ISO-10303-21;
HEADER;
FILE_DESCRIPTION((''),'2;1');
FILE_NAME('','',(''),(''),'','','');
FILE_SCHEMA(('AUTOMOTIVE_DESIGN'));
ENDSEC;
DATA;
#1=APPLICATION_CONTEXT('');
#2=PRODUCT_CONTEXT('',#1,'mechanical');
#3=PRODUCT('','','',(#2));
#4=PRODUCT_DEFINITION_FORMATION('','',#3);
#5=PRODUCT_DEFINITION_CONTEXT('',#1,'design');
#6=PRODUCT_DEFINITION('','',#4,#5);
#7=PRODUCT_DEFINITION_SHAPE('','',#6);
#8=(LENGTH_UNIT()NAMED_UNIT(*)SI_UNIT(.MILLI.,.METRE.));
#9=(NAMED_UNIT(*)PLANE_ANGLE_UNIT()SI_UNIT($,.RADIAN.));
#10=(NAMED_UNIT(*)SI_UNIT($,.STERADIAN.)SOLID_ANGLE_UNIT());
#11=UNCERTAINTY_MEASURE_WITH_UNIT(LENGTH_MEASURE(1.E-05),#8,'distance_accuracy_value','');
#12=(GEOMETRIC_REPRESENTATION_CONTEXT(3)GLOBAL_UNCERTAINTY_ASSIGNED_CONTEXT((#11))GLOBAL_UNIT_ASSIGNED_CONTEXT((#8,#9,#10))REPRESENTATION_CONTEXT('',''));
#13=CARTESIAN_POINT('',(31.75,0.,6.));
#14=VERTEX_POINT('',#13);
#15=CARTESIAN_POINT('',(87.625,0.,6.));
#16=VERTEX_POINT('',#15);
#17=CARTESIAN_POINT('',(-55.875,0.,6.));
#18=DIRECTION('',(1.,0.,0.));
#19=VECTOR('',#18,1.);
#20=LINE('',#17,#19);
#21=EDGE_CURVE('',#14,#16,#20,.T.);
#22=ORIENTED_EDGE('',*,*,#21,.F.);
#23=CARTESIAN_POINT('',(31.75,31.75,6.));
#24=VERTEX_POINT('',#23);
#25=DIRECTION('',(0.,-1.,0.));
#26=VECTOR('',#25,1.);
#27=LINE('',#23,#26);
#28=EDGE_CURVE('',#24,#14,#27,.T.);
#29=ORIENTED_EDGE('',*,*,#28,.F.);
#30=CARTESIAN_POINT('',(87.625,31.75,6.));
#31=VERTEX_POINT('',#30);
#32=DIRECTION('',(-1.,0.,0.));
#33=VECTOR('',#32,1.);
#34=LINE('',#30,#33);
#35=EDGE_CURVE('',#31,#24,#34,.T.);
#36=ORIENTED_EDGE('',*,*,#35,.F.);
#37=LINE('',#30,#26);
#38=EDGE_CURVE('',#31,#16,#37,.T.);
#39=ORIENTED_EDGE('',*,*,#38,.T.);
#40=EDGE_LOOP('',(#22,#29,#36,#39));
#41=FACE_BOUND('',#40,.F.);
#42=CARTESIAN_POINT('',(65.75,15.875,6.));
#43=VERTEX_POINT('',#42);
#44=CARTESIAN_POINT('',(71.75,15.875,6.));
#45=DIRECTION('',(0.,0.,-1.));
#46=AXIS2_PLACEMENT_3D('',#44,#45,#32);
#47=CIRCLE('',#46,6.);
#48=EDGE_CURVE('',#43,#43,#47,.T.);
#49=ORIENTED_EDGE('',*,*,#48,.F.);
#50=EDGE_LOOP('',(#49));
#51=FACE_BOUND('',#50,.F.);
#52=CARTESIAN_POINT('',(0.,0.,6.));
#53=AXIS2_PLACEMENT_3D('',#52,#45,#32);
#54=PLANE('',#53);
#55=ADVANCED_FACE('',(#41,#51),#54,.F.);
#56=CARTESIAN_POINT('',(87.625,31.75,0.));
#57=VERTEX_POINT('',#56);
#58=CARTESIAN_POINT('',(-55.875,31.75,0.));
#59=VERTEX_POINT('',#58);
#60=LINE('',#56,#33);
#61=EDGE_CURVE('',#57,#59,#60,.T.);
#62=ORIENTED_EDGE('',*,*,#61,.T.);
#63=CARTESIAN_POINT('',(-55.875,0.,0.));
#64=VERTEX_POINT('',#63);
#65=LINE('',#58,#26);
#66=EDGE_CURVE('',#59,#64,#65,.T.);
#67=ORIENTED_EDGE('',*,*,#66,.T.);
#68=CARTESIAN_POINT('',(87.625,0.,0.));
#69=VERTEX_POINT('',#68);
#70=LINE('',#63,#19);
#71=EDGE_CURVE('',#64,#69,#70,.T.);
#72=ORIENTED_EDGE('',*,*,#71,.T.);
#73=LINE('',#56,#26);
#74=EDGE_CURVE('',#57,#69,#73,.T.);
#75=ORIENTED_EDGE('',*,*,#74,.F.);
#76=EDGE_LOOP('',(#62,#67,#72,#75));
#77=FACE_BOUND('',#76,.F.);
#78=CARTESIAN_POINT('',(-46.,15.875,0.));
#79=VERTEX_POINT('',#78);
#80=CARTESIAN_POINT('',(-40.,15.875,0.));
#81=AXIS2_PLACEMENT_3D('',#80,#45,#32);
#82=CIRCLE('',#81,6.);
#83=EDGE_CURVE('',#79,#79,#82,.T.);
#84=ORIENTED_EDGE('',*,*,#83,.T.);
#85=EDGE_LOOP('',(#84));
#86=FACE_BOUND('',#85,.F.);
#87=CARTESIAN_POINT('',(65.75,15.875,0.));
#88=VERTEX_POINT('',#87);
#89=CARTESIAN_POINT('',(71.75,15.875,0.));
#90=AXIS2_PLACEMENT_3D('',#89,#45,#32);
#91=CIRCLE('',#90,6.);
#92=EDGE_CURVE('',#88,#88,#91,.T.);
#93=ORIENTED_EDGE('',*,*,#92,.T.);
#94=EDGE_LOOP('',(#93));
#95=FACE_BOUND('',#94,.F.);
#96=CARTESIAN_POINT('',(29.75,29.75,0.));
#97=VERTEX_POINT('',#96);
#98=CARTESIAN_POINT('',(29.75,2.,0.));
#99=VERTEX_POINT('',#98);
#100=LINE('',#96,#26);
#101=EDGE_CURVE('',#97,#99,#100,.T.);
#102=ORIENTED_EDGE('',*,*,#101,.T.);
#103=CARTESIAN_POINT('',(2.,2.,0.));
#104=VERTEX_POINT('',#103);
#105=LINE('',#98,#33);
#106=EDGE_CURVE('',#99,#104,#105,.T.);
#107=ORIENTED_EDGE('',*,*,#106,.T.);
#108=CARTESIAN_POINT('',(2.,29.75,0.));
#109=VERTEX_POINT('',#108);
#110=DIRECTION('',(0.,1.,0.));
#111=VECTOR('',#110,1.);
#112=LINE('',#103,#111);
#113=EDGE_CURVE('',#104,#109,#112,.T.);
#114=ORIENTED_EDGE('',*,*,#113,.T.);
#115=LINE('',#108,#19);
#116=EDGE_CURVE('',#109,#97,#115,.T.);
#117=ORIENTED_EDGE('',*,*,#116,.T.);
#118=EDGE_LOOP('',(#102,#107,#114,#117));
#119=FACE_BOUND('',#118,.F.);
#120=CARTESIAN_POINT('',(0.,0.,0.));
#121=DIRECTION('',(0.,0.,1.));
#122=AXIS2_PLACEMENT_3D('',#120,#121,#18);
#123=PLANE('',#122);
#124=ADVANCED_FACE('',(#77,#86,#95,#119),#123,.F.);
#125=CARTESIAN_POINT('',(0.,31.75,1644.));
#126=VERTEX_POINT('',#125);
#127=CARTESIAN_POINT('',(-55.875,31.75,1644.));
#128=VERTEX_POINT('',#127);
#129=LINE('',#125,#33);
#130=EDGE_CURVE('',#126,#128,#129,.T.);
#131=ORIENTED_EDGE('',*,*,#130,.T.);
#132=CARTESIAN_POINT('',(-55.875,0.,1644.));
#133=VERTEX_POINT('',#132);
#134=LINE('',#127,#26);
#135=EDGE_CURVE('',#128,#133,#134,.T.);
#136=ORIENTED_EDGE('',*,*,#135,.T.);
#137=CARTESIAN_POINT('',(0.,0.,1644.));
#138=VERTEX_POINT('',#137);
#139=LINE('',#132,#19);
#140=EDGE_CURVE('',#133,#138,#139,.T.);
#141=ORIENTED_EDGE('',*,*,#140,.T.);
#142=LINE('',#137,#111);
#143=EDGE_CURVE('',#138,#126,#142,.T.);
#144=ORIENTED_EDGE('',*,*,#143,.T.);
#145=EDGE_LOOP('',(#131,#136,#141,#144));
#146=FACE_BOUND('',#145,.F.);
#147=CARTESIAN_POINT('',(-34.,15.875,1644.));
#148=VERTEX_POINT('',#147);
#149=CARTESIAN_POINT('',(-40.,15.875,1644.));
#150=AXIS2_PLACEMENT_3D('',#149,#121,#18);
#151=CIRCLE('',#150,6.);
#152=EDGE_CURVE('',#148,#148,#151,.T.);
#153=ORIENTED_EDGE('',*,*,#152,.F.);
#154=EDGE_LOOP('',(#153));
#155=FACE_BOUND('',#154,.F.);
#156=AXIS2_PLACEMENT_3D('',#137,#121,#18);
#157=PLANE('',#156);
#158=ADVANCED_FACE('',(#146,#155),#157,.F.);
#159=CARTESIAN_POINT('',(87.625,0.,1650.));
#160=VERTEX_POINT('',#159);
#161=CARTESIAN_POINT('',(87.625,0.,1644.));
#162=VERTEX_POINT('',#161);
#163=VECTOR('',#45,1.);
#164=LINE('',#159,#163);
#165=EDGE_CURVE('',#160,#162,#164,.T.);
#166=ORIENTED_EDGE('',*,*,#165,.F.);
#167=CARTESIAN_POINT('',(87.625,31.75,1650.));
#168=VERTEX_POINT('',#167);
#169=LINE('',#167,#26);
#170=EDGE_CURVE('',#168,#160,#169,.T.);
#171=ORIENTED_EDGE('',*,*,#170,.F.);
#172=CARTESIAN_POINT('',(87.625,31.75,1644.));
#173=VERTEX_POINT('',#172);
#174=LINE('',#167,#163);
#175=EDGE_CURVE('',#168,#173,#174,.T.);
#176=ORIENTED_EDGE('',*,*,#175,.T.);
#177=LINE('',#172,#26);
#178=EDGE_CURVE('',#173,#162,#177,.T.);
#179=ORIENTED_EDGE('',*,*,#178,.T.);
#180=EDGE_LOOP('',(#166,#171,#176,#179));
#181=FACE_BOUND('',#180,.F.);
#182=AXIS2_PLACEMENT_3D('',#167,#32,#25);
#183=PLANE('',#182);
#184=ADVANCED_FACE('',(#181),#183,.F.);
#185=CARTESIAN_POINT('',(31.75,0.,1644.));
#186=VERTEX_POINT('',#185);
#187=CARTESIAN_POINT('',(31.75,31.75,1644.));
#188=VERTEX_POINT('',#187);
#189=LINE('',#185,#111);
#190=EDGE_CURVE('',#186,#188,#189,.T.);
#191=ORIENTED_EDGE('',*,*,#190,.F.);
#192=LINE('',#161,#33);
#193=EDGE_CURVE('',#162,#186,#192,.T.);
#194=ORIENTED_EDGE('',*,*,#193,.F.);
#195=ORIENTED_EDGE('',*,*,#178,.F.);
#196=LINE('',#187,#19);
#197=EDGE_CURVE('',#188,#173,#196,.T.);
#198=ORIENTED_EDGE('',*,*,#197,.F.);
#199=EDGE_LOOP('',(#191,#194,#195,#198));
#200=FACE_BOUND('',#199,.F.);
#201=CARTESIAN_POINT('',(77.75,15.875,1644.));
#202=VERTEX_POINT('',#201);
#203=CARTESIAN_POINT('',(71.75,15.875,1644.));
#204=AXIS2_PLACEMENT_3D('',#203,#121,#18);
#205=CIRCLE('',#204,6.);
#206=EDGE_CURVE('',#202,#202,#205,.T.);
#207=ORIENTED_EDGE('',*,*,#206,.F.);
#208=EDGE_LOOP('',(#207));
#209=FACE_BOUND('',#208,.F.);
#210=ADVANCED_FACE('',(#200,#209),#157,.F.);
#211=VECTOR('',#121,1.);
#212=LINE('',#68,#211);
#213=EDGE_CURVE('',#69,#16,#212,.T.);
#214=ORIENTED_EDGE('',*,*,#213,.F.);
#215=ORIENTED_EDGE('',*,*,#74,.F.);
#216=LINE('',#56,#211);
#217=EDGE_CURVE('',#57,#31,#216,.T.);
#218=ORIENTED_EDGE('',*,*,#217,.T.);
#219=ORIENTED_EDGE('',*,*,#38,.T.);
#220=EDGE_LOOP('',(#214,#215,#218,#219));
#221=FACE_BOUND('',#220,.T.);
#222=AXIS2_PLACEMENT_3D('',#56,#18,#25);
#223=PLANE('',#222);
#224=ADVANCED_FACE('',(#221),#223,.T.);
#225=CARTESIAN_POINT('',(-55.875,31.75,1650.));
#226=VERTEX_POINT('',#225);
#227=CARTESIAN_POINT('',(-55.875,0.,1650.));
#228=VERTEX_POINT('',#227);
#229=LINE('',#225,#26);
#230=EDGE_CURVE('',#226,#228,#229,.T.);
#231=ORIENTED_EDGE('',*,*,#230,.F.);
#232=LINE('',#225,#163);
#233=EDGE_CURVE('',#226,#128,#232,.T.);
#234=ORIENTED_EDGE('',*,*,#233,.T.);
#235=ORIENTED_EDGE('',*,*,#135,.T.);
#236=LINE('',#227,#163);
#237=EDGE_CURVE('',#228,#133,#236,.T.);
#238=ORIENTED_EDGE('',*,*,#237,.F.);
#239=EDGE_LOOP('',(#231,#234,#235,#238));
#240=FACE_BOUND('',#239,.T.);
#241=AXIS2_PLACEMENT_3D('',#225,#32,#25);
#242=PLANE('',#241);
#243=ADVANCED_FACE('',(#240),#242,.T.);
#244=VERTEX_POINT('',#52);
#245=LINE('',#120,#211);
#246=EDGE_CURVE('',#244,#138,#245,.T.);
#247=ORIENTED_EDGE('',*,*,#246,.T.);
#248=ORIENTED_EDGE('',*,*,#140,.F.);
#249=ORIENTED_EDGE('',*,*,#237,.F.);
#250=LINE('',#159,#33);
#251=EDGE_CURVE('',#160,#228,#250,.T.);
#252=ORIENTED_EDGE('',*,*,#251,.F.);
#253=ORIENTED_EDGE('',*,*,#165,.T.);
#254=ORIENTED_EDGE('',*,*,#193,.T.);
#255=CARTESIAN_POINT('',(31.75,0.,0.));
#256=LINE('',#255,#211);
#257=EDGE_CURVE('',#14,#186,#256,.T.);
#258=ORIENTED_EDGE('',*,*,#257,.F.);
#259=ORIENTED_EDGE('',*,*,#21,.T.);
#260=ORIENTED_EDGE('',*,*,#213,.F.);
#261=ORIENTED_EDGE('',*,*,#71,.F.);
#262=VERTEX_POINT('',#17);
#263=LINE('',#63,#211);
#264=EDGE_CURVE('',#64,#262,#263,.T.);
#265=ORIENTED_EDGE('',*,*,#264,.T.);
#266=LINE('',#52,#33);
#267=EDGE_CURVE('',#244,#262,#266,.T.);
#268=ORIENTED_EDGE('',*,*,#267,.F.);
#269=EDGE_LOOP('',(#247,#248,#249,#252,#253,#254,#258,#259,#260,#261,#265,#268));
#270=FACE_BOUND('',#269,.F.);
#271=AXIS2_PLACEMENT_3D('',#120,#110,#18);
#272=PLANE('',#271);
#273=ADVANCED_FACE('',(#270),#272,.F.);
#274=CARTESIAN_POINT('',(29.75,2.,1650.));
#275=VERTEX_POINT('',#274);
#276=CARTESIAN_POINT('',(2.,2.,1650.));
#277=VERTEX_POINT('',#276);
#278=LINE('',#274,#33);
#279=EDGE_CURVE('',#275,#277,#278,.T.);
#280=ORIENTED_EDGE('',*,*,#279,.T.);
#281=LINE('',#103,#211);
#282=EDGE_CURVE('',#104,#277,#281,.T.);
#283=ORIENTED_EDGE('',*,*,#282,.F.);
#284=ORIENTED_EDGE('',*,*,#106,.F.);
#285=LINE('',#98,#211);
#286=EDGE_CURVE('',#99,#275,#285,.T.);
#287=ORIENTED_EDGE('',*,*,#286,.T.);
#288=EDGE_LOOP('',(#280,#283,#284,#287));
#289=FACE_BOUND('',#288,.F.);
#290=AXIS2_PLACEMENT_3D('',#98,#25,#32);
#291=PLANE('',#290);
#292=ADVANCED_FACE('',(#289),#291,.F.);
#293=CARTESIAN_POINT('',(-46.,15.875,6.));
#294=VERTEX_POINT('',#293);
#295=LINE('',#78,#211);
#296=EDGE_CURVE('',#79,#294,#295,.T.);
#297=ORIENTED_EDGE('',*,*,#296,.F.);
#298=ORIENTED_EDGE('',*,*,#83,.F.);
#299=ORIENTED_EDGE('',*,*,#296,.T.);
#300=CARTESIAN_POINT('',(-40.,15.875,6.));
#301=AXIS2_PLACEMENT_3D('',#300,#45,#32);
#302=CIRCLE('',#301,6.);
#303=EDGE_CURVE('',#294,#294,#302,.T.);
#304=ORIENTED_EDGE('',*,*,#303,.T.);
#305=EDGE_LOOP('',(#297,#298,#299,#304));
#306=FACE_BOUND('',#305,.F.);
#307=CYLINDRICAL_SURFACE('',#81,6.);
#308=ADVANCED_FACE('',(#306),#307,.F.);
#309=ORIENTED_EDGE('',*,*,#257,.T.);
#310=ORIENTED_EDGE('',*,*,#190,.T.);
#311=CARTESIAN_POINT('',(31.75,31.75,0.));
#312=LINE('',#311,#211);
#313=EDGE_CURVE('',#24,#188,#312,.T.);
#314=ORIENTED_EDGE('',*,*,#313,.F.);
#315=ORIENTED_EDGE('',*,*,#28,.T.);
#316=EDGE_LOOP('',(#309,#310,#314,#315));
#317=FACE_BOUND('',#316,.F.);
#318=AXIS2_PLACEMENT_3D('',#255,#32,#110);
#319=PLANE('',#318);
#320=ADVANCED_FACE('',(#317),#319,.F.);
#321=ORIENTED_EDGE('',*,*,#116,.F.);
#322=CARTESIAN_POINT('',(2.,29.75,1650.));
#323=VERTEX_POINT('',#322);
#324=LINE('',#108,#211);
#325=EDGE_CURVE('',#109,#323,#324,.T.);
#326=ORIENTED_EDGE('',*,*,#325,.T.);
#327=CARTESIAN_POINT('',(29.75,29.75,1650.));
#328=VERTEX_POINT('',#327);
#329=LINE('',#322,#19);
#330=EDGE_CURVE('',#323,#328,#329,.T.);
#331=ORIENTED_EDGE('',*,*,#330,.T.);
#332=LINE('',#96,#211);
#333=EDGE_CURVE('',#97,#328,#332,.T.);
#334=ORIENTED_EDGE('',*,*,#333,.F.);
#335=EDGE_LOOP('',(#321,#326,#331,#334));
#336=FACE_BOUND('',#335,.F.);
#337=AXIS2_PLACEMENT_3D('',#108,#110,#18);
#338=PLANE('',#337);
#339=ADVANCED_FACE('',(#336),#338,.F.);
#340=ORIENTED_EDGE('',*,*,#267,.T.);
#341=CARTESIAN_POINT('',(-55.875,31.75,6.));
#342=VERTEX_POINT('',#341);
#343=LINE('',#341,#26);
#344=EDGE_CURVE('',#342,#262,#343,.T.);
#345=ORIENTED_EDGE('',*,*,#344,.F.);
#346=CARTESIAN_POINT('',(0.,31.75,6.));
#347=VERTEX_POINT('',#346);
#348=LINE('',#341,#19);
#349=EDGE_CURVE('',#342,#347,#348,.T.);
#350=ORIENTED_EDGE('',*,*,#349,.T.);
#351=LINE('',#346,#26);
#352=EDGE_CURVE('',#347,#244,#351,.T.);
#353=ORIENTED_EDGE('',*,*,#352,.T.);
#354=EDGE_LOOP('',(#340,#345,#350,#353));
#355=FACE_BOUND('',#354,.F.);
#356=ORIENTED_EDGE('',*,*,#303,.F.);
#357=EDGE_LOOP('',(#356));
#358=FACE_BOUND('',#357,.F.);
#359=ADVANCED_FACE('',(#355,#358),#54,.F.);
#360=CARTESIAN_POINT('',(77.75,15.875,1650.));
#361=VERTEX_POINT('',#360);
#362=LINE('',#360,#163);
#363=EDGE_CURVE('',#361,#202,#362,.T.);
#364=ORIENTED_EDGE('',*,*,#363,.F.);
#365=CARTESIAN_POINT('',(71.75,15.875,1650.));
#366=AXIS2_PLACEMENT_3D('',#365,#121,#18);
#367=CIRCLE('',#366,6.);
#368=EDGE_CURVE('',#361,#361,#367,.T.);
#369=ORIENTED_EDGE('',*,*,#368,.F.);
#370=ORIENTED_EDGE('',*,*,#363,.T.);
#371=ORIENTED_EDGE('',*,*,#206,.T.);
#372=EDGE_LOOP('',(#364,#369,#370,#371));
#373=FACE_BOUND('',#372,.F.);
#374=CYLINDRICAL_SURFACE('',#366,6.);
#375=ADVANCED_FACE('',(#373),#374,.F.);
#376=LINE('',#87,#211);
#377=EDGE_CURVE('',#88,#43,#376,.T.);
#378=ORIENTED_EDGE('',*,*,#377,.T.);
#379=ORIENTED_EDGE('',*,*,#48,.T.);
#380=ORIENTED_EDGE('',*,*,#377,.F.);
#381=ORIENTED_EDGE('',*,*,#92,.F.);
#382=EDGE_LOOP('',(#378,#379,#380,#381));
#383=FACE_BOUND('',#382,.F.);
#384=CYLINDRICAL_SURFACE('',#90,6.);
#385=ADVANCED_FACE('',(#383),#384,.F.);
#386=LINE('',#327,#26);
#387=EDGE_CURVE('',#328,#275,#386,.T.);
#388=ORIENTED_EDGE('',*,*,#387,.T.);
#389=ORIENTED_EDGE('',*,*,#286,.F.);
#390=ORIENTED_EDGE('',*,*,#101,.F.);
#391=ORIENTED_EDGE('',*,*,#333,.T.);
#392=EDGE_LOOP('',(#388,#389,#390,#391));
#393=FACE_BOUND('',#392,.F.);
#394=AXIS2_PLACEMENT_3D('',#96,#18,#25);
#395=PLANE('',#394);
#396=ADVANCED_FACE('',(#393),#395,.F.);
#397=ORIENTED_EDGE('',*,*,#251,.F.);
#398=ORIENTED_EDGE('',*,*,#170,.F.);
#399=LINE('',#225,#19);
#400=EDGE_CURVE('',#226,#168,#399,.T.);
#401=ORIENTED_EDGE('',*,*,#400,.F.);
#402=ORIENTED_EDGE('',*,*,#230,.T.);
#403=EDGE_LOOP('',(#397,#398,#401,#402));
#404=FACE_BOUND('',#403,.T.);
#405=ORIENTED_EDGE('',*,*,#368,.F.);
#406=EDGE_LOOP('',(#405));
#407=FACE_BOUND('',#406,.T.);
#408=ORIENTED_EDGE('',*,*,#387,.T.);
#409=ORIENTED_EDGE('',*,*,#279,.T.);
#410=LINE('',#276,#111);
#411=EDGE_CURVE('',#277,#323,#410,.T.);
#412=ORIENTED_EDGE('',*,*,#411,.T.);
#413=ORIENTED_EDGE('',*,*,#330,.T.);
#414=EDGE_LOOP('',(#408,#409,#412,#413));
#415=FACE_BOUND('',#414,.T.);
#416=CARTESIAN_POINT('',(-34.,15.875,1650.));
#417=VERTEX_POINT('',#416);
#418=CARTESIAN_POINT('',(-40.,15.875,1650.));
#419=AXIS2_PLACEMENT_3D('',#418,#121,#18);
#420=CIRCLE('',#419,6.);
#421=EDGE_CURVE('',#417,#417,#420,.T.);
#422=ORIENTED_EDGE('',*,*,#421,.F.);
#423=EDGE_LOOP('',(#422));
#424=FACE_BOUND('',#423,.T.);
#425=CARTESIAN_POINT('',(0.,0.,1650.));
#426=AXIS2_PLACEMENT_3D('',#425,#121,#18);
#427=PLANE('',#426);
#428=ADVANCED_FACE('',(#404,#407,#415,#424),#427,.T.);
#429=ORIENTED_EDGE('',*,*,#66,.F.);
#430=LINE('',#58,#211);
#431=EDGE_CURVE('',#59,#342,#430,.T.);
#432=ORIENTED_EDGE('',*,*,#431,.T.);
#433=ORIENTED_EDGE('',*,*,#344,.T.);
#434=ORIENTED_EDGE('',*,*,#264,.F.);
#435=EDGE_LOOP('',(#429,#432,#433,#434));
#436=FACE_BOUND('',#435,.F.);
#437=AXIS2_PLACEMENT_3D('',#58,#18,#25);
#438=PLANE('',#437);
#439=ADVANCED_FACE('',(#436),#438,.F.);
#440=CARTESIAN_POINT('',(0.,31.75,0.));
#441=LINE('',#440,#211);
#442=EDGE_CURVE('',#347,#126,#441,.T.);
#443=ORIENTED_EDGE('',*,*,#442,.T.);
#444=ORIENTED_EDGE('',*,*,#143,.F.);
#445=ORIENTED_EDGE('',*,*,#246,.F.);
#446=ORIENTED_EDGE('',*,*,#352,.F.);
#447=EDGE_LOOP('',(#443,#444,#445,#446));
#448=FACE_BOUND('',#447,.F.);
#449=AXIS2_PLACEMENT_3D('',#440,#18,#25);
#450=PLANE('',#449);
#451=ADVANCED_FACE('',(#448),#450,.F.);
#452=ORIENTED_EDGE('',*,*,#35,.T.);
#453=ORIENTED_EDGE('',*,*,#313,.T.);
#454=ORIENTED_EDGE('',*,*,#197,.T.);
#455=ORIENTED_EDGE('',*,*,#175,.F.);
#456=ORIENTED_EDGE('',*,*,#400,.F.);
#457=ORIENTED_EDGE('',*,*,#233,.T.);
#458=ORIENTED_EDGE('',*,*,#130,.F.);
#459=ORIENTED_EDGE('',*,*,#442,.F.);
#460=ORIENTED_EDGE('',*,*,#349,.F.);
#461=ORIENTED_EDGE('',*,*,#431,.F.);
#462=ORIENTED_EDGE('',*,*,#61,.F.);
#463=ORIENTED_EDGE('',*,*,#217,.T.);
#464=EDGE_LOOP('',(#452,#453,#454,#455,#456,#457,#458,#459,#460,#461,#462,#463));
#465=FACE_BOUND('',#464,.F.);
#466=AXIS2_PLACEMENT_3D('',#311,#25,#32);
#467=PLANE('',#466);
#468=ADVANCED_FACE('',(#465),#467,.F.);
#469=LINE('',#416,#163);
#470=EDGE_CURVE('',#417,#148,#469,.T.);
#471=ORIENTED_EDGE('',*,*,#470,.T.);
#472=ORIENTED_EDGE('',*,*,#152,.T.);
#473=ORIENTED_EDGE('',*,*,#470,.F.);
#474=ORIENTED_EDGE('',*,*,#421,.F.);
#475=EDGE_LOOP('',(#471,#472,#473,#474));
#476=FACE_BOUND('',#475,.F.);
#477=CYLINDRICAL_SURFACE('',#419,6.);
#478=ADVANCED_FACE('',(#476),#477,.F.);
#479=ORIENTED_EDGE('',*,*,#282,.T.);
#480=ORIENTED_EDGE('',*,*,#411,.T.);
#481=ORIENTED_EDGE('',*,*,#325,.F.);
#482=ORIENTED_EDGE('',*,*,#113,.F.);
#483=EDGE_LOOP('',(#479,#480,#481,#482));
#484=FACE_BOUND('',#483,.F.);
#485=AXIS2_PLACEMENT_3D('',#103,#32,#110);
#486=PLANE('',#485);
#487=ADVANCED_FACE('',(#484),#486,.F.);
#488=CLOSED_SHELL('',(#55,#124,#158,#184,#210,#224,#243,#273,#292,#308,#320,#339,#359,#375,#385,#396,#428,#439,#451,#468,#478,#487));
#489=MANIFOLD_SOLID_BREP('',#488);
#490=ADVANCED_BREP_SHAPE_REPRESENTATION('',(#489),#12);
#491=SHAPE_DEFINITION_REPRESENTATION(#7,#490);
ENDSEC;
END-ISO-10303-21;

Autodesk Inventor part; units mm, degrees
ref_plane "YZ Plane" through (0, 0, 0) normal (1, 0, 0) x (0, 1, 0)
ref_plane "XZ Plane" through (0, 0, 0) normal (0, 1, 0) x (-1, 0, 0)
ref_plane "XY Plane" through (0, 0, 0) normal (0, 0, 1) x (1, 0, 0)
sketch "Sketch2" plane through (0, 0, 0) normal (0, 0, 1) x (1, 0, 0)
  line L0 (0, 0) -> (31.75, 0)
  line L1 (31.75, 0) -> (31.75, 31.75)
  line L2 (31.75, 31.75) -> (0, 31.75)
  line L3 (0, 31.75) -> (0, 0)
  line L4 (2, 29.75) -> (29.75, 29.75)
  line L5 (29.75, 29.75) -> (29.75, 2)
  line L6 (29.75, 2) -> (2, 2)
  line L7 (2, 2) -> (2, 29.75)
  dimension "d0" = 31.75
  dimension "d1" = 31.75
  dimension "d2" = 2
extrude "Extrusion1" add sketch "Sketch2" along normal blind 1650
sketch "Sketch3" plane through (0, 0, 1650) normal (0, 0, 1) x (1, 0, 0)
  line L0 (31.75, 31.75) -> (0, 31.75) projected
  line L1 (0, 31.75) -> (-55.875, 31.75)
  line L2 (-55.875, 31.75) -> (-55.875, 0)
  line L3 (-55.875, 0) -> (0, 0)
  line L4 (0, 0) -> (0, 31.75)
  line L5 (31.75, 31.75) -> (87.625, 31.75)
  line L6 (87.625, 31.75) -> (87.625, 0)
  line L7 (87.625, 0) -> (31.75, 0)
  line L8 (31.75, 0) -> (31.75, 31.75)
  circle A0 centre (-40, 15.875) radius 6
  circle A1 centre (71.75, 15.875) radius 6
  dimension "d5" = 55.875
  dimension "d6" = 55.875
  dimension "d7" = 12
  dimension "d8" = 12
  dimension "d15" = 111.75
  dimension "d16" = 40
extrude "Extrusion2" add sketch "Sketch3" against normal blind 6
sketch "Sketch4" plane through (0, 0, 0) normal (0, 0, -1) x (-1, 0, 0)
  line L0 (-87.625, 31.75) -> (55.875, 31.75) projected
  line L1 (55.875, 0) -> (-87.625, 0) projected
  line L2 (40, 31.75) -> (55.875, 31.75)
  line L3 (55.875, 31.75) -> (55.875, 0)
  line L4 (55.875, 0) -> (25.875, 0)
  line L5 (-31.75, 31.75) -> (-31.75, 0) projected
  line L6 (-31.75, 31.75) -> (-87.625, 31.75)
  line L7 (-87.625, 31.75) -> (-87.625, 0)
  line L8 (-87.625, 0) -> (-31.75, 0)
  line L9 (-31.75, 0) -> (-31.75, 31.75)
  circle A0 centre (-71.75, 15.875) radius 6 projected
  circle A1 centre (-71.75, 15.875) radius 6
  circle A2 centre (40, 15.875) radius 6
  line L10 (0, 31.75) -> (0, 0)
  point P0 (55.875, 31.75)
  point P1 (-87.625, 31.75)
  point P2 (-87.625, 0)
  point P3 (-87.625, 0)
  dimension "d11" = 55.875
  dimension "d12" = 12
  dimension "d17" = 40
  dimension "d18" = 111.75
extrude "Extrusion3" add sketch "Sketch4" against normal blind 6 contours L0 L5 L1 L7 | L0 L3 L1 L10
properties part number "Bases_MDF_Acero"
